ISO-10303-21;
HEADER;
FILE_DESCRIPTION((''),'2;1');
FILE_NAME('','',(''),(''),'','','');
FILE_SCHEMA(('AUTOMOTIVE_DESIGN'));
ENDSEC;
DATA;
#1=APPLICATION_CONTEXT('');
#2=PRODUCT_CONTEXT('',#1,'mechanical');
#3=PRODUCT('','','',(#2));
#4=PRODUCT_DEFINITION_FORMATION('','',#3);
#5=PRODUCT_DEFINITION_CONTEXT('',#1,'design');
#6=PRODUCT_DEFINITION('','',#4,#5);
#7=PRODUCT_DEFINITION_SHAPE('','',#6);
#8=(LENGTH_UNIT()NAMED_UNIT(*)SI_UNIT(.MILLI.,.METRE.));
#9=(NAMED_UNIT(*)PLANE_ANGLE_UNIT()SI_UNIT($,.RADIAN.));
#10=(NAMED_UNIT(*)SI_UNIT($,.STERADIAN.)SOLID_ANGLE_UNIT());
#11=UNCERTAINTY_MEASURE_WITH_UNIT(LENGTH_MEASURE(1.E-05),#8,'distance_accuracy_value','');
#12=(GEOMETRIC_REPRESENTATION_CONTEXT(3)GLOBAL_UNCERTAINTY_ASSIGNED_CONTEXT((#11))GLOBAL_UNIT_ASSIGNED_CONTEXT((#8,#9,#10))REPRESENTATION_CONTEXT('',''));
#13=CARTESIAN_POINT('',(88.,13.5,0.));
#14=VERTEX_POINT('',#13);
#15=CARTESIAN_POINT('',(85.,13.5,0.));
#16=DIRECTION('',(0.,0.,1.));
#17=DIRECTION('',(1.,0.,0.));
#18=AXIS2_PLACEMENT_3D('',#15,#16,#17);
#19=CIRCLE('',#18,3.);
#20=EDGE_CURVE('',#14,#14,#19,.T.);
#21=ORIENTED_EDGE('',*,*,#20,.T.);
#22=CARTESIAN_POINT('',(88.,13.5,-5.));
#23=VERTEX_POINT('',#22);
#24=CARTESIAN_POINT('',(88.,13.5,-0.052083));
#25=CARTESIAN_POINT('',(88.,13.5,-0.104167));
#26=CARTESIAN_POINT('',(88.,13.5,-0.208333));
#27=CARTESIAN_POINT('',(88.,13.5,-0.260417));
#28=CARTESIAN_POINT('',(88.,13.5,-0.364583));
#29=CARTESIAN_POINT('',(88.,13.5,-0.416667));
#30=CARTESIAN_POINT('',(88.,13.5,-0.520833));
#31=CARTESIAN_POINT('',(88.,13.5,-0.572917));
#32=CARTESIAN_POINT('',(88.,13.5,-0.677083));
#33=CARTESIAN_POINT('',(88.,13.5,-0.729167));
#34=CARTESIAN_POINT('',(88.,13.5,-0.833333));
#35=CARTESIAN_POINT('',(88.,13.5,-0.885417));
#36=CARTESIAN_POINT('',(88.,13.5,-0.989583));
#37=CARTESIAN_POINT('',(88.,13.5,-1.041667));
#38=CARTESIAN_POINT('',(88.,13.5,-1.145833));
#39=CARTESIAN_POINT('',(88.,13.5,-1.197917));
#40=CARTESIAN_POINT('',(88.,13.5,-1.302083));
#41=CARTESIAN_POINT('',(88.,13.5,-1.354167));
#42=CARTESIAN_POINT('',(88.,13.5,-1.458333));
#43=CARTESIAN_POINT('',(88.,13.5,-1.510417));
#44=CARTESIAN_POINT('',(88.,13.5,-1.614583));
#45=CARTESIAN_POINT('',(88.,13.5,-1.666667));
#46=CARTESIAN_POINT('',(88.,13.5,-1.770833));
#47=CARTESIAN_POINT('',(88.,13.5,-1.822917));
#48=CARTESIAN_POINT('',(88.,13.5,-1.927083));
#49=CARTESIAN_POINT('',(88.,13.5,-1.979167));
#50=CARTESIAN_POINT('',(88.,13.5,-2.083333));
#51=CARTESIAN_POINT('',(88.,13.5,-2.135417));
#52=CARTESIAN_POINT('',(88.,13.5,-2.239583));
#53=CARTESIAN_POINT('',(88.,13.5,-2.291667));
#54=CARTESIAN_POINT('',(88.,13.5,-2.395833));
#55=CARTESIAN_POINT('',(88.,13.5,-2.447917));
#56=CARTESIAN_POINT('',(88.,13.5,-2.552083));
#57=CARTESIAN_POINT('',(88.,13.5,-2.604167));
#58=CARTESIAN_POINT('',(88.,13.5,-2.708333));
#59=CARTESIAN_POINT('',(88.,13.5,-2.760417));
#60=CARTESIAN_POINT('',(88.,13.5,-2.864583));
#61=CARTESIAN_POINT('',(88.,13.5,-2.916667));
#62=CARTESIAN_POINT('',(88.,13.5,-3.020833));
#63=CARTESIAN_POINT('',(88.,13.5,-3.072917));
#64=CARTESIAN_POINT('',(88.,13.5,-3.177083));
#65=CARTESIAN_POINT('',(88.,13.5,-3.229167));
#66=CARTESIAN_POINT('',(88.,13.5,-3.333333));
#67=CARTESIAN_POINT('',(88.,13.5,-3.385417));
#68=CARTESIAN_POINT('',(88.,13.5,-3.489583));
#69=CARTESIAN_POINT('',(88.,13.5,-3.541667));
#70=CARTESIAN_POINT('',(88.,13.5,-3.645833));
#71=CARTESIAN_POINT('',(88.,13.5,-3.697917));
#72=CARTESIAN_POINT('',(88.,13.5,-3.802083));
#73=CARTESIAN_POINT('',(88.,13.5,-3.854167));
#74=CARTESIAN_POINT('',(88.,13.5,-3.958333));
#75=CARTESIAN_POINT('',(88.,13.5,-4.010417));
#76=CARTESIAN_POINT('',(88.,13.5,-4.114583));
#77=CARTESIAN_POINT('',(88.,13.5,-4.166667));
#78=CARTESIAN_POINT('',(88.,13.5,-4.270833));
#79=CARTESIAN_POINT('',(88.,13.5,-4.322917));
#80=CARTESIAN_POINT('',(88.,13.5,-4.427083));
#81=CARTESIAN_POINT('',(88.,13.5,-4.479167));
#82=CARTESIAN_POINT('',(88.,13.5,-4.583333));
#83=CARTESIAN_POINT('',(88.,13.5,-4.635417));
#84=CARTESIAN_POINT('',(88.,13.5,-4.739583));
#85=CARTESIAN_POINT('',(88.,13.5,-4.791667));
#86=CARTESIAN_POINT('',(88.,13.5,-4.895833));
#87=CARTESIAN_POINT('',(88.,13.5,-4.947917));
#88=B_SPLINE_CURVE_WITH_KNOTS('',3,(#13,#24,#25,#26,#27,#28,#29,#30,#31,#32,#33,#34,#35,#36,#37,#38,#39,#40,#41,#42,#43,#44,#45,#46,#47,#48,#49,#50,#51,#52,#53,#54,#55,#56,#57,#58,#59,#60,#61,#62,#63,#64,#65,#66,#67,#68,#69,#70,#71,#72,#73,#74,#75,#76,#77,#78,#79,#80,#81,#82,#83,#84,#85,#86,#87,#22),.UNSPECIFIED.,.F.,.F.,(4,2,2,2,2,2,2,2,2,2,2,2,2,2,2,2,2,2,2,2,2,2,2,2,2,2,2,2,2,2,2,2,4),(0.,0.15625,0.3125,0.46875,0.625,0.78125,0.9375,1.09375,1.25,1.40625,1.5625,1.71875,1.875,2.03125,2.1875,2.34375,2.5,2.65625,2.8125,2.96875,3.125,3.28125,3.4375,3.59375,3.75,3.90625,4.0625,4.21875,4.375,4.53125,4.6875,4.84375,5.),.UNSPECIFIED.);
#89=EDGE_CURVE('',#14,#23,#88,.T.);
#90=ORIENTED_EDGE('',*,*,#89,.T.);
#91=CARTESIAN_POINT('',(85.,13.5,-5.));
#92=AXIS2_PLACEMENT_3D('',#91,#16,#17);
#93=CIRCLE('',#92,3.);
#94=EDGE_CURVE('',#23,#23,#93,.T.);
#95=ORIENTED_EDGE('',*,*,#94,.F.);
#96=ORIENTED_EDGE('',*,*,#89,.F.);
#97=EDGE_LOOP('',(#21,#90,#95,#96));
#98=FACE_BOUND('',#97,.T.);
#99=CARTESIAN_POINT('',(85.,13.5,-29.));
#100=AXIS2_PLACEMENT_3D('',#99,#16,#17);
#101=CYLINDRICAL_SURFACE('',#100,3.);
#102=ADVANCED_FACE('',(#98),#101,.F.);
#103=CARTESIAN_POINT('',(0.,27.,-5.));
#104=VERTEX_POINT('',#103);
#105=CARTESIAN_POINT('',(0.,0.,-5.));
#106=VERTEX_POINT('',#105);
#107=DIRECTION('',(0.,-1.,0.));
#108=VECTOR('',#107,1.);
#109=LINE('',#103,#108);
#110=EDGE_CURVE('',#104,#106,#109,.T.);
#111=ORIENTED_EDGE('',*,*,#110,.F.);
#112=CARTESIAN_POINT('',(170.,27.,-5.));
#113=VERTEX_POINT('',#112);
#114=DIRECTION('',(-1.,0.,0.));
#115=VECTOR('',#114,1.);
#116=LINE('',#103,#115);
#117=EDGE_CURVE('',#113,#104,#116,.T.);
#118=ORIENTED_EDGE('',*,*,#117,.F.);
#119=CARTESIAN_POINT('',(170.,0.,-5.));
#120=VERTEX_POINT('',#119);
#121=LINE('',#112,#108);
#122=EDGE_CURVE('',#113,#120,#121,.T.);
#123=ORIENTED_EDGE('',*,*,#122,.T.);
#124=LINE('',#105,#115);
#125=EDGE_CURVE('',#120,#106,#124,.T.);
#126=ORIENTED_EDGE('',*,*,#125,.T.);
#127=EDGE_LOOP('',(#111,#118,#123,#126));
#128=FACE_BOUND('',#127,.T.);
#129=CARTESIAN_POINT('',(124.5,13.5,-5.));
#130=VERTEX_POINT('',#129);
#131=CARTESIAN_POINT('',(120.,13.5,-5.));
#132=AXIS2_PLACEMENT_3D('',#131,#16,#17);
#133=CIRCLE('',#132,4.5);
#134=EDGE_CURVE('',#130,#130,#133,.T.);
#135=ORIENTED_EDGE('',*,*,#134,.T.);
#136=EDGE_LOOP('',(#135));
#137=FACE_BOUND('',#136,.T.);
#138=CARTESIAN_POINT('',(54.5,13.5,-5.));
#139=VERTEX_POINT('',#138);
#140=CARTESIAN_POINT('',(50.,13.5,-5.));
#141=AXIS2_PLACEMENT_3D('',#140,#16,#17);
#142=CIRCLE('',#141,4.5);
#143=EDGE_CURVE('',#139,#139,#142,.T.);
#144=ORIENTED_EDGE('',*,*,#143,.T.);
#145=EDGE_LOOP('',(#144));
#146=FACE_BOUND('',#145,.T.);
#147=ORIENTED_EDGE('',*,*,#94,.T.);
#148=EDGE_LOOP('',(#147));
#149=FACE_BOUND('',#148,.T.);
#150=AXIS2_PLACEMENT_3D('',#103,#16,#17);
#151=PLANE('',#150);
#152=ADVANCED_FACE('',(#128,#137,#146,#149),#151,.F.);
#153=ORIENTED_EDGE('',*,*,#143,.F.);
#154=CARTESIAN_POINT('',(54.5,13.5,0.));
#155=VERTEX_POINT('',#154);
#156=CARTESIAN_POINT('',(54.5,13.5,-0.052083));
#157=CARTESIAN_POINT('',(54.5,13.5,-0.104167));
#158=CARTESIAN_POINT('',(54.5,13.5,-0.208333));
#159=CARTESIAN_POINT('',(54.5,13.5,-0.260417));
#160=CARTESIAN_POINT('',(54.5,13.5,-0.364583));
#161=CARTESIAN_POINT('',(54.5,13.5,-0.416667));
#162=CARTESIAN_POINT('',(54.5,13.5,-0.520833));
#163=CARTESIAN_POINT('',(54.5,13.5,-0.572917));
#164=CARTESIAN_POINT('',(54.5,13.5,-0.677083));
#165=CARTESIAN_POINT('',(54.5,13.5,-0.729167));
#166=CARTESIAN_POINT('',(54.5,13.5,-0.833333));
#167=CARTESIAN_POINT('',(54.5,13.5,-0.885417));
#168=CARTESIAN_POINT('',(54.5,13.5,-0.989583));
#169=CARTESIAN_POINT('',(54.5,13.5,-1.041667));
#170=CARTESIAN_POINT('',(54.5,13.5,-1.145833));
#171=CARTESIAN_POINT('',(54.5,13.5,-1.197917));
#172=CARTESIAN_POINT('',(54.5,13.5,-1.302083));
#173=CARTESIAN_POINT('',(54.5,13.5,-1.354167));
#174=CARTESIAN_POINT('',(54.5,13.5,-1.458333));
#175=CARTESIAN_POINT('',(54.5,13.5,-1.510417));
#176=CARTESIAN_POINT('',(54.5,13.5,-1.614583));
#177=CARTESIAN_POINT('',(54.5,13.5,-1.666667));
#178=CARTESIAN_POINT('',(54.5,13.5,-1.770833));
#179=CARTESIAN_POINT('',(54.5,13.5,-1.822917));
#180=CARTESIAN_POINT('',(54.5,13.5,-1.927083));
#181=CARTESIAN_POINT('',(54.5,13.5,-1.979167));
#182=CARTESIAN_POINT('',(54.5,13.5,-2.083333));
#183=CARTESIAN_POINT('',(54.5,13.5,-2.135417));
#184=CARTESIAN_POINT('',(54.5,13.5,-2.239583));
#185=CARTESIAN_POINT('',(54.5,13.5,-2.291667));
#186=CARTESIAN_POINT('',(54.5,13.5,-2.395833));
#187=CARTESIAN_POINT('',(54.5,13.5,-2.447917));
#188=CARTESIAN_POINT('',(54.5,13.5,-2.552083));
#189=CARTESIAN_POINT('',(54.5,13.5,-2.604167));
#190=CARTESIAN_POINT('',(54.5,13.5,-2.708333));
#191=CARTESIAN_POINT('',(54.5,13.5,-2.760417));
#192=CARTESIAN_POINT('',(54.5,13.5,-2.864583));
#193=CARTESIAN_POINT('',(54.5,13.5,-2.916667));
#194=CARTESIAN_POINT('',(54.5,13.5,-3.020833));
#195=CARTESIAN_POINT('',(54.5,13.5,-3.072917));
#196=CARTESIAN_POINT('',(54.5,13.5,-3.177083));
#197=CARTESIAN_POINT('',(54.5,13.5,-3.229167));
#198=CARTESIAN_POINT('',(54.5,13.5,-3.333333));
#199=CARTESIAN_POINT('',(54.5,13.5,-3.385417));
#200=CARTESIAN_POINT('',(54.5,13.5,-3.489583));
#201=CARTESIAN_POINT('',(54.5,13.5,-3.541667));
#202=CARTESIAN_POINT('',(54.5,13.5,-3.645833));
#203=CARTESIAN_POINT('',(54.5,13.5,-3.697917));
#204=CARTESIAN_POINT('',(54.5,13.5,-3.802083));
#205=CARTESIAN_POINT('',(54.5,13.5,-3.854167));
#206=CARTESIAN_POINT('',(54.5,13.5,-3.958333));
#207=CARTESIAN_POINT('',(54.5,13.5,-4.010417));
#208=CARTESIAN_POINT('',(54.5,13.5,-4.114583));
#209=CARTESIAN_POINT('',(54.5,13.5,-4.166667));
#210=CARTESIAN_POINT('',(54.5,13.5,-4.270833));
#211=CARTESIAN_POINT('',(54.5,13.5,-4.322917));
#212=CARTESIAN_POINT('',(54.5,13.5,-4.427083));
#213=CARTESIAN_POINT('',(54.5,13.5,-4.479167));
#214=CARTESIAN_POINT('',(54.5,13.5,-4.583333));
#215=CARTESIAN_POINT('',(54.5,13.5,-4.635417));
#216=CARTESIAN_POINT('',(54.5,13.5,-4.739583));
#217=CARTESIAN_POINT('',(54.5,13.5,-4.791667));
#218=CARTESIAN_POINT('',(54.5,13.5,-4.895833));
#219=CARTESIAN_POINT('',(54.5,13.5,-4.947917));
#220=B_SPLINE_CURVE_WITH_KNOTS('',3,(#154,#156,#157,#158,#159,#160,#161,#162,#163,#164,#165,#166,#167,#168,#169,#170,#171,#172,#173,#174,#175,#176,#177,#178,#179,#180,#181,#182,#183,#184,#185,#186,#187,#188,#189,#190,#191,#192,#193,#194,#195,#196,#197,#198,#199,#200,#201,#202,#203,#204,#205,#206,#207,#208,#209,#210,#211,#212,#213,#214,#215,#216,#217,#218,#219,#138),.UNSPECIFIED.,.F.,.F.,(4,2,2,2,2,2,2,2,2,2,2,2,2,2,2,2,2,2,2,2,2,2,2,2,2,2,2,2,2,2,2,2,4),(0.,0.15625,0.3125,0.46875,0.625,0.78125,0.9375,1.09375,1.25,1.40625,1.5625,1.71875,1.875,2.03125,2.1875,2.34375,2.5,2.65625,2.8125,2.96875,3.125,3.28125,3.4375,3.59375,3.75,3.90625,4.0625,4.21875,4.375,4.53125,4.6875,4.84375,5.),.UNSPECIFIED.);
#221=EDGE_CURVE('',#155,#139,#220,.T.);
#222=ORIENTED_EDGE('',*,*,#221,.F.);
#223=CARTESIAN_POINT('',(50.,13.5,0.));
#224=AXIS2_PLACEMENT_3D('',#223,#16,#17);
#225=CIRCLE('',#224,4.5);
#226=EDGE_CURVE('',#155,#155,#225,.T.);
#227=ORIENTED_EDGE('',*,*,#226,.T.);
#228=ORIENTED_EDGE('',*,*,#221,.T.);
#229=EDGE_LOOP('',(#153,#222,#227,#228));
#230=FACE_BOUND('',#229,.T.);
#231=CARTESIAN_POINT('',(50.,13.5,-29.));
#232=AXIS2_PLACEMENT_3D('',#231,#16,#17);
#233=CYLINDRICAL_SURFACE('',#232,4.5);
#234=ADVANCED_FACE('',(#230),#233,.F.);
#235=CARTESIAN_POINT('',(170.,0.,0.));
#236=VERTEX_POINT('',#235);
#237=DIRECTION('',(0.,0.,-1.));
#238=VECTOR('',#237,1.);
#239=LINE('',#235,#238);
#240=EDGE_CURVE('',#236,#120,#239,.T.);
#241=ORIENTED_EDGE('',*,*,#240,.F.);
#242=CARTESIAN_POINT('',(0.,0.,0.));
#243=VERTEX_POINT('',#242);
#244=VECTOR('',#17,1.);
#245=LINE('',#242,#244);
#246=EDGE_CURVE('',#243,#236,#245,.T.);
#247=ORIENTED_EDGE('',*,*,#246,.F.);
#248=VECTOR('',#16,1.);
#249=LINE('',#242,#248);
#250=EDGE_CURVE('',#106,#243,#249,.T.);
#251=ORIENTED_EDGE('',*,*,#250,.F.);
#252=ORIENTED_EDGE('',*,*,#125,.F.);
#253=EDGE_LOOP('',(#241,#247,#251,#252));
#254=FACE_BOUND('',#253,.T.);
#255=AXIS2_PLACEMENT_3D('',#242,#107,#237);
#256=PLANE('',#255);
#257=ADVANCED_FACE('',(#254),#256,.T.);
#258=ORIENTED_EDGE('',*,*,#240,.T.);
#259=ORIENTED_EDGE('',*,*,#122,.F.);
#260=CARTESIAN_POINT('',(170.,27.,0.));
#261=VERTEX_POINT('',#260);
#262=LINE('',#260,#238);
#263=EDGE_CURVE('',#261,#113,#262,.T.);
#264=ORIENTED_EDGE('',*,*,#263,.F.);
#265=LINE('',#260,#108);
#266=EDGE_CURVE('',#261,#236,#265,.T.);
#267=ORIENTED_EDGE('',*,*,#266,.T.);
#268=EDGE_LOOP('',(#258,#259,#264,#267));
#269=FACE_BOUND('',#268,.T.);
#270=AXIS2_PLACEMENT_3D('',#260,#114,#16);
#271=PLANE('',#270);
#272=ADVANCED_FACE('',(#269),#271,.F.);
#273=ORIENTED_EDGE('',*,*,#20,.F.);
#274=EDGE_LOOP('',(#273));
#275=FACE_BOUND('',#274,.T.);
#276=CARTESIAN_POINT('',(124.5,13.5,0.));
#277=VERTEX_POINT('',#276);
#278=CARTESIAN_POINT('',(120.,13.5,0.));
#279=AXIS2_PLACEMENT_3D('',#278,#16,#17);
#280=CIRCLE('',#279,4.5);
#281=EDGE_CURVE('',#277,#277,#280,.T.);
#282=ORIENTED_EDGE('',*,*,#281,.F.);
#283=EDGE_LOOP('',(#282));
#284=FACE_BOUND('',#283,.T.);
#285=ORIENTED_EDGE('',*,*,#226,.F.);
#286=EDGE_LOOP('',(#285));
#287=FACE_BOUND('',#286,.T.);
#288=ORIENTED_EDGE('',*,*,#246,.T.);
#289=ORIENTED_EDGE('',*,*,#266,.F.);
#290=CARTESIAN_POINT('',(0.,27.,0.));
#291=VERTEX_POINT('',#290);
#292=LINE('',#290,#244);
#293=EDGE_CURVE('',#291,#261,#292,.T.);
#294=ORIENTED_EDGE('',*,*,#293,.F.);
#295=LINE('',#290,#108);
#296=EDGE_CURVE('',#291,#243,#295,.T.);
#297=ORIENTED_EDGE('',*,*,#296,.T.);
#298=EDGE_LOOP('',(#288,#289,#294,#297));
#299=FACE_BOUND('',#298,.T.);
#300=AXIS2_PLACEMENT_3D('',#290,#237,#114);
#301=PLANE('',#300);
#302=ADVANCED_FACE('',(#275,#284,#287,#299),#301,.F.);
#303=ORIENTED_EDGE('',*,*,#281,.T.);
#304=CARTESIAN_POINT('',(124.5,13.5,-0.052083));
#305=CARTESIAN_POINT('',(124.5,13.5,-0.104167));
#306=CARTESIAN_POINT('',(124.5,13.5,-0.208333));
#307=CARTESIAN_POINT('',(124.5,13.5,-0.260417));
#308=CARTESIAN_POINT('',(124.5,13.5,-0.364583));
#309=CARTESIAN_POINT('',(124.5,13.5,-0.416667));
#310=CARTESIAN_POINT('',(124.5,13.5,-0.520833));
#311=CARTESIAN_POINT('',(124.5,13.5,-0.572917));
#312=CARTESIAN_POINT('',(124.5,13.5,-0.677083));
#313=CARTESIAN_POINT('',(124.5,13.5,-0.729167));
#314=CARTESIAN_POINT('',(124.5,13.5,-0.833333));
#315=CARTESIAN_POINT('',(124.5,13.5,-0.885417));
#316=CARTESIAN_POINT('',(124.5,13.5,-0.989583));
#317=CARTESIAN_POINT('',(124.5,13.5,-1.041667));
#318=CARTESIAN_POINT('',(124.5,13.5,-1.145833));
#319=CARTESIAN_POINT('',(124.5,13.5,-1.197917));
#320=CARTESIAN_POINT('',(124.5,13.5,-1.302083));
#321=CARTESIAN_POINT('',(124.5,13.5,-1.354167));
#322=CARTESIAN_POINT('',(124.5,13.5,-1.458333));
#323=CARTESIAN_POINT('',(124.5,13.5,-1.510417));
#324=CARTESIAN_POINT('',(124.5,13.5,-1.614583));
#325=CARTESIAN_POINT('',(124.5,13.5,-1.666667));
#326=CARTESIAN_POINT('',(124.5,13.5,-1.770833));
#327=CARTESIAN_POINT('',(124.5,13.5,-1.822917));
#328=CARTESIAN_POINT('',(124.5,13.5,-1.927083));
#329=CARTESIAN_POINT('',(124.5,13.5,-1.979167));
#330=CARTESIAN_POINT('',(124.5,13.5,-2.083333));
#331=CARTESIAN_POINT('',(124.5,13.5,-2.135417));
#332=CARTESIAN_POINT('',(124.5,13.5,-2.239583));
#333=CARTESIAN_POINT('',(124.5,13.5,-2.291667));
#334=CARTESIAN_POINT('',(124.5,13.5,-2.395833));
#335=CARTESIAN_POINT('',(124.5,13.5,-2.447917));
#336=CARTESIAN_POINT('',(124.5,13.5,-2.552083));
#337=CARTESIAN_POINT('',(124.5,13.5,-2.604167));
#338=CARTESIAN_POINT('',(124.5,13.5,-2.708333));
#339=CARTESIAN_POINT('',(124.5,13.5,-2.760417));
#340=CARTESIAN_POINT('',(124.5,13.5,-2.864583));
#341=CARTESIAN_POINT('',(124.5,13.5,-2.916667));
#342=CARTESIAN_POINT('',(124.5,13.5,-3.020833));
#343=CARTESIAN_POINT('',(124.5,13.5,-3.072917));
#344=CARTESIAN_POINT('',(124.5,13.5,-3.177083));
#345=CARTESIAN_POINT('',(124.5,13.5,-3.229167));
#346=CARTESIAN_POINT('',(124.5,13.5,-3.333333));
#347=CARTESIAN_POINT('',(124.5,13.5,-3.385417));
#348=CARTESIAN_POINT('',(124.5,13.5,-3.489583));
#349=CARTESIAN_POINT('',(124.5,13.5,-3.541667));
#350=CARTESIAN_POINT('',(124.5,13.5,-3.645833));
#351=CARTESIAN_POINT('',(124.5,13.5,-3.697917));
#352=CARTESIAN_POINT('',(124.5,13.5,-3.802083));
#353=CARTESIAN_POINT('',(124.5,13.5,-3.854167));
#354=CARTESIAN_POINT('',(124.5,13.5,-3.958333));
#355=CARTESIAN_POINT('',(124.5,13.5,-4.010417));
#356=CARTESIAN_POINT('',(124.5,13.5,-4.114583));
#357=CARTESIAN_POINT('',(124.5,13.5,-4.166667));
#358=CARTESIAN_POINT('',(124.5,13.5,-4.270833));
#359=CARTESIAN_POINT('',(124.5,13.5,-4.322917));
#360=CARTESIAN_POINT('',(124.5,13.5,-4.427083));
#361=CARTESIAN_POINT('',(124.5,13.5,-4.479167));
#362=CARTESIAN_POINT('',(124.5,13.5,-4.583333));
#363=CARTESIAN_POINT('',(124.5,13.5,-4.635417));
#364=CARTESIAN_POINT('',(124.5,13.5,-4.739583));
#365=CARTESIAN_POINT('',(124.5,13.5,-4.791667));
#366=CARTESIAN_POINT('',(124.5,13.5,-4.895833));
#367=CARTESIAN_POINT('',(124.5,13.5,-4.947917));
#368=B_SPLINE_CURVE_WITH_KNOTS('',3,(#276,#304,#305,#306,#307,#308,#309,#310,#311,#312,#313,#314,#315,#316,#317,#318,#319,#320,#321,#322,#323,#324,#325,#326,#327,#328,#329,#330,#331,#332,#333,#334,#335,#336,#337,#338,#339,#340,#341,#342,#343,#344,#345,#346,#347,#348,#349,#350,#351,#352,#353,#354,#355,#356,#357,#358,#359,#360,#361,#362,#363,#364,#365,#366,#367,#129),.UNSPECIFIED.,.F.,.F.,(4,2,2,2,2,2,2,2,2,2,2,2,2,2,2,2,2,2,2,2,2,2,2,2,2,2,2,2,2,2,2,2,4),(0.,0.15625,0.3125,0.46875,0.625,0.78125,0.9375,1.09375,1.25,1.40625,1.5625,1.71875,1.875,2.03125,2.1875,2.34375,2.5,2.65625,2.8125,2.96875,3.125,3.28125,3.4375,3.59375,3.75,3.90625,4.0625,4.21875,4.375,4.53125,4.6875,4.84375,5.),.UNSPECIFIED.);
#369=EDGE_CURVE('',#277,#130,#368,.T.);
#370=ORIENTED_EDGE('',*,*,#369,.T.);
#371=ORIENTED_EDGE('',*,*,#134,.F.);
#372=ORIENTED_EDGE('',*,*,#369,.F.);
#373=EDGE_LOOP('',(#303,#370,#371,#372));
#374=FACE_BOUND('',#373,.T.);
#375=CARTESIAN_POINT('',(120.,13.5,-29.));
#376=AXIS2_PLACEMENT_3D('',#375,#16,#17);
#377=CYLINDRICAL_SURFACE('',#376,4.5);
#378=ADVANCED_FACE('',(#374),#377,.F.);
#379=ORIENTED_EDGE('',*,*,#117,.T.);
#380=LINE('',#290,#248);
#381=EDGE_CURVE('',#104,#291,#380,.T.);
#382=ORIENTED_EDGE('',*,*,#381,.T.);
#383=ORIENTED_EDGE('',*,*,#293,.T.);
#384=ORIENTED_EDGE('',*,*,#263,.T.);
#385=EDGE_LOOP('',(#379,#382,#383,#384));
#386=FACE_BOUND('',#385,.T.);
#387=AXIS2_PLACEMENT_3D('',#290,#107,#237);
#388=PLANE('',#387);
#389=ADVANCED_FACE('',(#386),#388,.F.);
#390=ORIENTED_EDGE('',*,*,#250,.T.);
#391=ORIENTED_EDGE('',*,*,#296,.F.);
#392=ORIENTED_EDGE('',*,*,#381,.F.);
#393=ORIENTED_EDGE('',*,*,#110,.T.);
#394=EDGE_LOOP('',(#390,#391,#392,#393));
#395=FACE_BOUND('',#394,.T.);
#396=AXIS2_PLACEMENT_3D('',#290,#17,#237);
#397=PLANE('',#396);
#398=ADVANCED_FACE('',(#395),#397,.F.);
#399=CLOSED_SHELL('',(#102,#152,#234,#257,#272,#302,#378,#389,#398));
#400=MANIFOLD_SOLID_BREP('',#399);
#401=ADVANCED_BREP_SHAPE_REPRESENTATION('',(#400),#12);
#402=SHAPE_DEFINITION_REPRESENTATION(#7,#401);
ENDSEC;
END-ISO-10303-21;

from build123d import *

# Parameters (mm, degrees)
SKETCH1_W           = 170
SKETCH1_H           = 5
BOSS_EXTRUDE1_DEPTH = 27
SKETCH2_R           = 3
SKETCH2_R_2         = 4.5
CUT_EXTRUDE1_DEPTH  = 29


with BuildPart() as part:
    # Sketch1 → Boss-Extrude1 (new body)
    with BuildSketch(Plane(origin=(0, 0, 0), x_dir=(1, 0, 0), z_dir=(0, 1, 0))):
        with Locations((85, 2.5)):
            Rectangle(SKETCH1_W, SKETCH1_H)
    extrude(amount=BOSS_EXTRUDE1_DEPTH)

    # Sketch2 → Cut-Extrude1 (cut)
    with BuildSketch(Plane.XY):
        with Locations((85, 13.5)):
            Circle(SKETCH2_R)
        with Locations((120, 13.5)):
            Circle(SKETCH2_R_2)
        with Locations((50, 13.5)):
            Circle(SKETCH2_R_2)
    extrude(amount=-CUT_EXTRUDE1_DEPTH, mode=Mode.SUBTRACT)


solid = part.part
